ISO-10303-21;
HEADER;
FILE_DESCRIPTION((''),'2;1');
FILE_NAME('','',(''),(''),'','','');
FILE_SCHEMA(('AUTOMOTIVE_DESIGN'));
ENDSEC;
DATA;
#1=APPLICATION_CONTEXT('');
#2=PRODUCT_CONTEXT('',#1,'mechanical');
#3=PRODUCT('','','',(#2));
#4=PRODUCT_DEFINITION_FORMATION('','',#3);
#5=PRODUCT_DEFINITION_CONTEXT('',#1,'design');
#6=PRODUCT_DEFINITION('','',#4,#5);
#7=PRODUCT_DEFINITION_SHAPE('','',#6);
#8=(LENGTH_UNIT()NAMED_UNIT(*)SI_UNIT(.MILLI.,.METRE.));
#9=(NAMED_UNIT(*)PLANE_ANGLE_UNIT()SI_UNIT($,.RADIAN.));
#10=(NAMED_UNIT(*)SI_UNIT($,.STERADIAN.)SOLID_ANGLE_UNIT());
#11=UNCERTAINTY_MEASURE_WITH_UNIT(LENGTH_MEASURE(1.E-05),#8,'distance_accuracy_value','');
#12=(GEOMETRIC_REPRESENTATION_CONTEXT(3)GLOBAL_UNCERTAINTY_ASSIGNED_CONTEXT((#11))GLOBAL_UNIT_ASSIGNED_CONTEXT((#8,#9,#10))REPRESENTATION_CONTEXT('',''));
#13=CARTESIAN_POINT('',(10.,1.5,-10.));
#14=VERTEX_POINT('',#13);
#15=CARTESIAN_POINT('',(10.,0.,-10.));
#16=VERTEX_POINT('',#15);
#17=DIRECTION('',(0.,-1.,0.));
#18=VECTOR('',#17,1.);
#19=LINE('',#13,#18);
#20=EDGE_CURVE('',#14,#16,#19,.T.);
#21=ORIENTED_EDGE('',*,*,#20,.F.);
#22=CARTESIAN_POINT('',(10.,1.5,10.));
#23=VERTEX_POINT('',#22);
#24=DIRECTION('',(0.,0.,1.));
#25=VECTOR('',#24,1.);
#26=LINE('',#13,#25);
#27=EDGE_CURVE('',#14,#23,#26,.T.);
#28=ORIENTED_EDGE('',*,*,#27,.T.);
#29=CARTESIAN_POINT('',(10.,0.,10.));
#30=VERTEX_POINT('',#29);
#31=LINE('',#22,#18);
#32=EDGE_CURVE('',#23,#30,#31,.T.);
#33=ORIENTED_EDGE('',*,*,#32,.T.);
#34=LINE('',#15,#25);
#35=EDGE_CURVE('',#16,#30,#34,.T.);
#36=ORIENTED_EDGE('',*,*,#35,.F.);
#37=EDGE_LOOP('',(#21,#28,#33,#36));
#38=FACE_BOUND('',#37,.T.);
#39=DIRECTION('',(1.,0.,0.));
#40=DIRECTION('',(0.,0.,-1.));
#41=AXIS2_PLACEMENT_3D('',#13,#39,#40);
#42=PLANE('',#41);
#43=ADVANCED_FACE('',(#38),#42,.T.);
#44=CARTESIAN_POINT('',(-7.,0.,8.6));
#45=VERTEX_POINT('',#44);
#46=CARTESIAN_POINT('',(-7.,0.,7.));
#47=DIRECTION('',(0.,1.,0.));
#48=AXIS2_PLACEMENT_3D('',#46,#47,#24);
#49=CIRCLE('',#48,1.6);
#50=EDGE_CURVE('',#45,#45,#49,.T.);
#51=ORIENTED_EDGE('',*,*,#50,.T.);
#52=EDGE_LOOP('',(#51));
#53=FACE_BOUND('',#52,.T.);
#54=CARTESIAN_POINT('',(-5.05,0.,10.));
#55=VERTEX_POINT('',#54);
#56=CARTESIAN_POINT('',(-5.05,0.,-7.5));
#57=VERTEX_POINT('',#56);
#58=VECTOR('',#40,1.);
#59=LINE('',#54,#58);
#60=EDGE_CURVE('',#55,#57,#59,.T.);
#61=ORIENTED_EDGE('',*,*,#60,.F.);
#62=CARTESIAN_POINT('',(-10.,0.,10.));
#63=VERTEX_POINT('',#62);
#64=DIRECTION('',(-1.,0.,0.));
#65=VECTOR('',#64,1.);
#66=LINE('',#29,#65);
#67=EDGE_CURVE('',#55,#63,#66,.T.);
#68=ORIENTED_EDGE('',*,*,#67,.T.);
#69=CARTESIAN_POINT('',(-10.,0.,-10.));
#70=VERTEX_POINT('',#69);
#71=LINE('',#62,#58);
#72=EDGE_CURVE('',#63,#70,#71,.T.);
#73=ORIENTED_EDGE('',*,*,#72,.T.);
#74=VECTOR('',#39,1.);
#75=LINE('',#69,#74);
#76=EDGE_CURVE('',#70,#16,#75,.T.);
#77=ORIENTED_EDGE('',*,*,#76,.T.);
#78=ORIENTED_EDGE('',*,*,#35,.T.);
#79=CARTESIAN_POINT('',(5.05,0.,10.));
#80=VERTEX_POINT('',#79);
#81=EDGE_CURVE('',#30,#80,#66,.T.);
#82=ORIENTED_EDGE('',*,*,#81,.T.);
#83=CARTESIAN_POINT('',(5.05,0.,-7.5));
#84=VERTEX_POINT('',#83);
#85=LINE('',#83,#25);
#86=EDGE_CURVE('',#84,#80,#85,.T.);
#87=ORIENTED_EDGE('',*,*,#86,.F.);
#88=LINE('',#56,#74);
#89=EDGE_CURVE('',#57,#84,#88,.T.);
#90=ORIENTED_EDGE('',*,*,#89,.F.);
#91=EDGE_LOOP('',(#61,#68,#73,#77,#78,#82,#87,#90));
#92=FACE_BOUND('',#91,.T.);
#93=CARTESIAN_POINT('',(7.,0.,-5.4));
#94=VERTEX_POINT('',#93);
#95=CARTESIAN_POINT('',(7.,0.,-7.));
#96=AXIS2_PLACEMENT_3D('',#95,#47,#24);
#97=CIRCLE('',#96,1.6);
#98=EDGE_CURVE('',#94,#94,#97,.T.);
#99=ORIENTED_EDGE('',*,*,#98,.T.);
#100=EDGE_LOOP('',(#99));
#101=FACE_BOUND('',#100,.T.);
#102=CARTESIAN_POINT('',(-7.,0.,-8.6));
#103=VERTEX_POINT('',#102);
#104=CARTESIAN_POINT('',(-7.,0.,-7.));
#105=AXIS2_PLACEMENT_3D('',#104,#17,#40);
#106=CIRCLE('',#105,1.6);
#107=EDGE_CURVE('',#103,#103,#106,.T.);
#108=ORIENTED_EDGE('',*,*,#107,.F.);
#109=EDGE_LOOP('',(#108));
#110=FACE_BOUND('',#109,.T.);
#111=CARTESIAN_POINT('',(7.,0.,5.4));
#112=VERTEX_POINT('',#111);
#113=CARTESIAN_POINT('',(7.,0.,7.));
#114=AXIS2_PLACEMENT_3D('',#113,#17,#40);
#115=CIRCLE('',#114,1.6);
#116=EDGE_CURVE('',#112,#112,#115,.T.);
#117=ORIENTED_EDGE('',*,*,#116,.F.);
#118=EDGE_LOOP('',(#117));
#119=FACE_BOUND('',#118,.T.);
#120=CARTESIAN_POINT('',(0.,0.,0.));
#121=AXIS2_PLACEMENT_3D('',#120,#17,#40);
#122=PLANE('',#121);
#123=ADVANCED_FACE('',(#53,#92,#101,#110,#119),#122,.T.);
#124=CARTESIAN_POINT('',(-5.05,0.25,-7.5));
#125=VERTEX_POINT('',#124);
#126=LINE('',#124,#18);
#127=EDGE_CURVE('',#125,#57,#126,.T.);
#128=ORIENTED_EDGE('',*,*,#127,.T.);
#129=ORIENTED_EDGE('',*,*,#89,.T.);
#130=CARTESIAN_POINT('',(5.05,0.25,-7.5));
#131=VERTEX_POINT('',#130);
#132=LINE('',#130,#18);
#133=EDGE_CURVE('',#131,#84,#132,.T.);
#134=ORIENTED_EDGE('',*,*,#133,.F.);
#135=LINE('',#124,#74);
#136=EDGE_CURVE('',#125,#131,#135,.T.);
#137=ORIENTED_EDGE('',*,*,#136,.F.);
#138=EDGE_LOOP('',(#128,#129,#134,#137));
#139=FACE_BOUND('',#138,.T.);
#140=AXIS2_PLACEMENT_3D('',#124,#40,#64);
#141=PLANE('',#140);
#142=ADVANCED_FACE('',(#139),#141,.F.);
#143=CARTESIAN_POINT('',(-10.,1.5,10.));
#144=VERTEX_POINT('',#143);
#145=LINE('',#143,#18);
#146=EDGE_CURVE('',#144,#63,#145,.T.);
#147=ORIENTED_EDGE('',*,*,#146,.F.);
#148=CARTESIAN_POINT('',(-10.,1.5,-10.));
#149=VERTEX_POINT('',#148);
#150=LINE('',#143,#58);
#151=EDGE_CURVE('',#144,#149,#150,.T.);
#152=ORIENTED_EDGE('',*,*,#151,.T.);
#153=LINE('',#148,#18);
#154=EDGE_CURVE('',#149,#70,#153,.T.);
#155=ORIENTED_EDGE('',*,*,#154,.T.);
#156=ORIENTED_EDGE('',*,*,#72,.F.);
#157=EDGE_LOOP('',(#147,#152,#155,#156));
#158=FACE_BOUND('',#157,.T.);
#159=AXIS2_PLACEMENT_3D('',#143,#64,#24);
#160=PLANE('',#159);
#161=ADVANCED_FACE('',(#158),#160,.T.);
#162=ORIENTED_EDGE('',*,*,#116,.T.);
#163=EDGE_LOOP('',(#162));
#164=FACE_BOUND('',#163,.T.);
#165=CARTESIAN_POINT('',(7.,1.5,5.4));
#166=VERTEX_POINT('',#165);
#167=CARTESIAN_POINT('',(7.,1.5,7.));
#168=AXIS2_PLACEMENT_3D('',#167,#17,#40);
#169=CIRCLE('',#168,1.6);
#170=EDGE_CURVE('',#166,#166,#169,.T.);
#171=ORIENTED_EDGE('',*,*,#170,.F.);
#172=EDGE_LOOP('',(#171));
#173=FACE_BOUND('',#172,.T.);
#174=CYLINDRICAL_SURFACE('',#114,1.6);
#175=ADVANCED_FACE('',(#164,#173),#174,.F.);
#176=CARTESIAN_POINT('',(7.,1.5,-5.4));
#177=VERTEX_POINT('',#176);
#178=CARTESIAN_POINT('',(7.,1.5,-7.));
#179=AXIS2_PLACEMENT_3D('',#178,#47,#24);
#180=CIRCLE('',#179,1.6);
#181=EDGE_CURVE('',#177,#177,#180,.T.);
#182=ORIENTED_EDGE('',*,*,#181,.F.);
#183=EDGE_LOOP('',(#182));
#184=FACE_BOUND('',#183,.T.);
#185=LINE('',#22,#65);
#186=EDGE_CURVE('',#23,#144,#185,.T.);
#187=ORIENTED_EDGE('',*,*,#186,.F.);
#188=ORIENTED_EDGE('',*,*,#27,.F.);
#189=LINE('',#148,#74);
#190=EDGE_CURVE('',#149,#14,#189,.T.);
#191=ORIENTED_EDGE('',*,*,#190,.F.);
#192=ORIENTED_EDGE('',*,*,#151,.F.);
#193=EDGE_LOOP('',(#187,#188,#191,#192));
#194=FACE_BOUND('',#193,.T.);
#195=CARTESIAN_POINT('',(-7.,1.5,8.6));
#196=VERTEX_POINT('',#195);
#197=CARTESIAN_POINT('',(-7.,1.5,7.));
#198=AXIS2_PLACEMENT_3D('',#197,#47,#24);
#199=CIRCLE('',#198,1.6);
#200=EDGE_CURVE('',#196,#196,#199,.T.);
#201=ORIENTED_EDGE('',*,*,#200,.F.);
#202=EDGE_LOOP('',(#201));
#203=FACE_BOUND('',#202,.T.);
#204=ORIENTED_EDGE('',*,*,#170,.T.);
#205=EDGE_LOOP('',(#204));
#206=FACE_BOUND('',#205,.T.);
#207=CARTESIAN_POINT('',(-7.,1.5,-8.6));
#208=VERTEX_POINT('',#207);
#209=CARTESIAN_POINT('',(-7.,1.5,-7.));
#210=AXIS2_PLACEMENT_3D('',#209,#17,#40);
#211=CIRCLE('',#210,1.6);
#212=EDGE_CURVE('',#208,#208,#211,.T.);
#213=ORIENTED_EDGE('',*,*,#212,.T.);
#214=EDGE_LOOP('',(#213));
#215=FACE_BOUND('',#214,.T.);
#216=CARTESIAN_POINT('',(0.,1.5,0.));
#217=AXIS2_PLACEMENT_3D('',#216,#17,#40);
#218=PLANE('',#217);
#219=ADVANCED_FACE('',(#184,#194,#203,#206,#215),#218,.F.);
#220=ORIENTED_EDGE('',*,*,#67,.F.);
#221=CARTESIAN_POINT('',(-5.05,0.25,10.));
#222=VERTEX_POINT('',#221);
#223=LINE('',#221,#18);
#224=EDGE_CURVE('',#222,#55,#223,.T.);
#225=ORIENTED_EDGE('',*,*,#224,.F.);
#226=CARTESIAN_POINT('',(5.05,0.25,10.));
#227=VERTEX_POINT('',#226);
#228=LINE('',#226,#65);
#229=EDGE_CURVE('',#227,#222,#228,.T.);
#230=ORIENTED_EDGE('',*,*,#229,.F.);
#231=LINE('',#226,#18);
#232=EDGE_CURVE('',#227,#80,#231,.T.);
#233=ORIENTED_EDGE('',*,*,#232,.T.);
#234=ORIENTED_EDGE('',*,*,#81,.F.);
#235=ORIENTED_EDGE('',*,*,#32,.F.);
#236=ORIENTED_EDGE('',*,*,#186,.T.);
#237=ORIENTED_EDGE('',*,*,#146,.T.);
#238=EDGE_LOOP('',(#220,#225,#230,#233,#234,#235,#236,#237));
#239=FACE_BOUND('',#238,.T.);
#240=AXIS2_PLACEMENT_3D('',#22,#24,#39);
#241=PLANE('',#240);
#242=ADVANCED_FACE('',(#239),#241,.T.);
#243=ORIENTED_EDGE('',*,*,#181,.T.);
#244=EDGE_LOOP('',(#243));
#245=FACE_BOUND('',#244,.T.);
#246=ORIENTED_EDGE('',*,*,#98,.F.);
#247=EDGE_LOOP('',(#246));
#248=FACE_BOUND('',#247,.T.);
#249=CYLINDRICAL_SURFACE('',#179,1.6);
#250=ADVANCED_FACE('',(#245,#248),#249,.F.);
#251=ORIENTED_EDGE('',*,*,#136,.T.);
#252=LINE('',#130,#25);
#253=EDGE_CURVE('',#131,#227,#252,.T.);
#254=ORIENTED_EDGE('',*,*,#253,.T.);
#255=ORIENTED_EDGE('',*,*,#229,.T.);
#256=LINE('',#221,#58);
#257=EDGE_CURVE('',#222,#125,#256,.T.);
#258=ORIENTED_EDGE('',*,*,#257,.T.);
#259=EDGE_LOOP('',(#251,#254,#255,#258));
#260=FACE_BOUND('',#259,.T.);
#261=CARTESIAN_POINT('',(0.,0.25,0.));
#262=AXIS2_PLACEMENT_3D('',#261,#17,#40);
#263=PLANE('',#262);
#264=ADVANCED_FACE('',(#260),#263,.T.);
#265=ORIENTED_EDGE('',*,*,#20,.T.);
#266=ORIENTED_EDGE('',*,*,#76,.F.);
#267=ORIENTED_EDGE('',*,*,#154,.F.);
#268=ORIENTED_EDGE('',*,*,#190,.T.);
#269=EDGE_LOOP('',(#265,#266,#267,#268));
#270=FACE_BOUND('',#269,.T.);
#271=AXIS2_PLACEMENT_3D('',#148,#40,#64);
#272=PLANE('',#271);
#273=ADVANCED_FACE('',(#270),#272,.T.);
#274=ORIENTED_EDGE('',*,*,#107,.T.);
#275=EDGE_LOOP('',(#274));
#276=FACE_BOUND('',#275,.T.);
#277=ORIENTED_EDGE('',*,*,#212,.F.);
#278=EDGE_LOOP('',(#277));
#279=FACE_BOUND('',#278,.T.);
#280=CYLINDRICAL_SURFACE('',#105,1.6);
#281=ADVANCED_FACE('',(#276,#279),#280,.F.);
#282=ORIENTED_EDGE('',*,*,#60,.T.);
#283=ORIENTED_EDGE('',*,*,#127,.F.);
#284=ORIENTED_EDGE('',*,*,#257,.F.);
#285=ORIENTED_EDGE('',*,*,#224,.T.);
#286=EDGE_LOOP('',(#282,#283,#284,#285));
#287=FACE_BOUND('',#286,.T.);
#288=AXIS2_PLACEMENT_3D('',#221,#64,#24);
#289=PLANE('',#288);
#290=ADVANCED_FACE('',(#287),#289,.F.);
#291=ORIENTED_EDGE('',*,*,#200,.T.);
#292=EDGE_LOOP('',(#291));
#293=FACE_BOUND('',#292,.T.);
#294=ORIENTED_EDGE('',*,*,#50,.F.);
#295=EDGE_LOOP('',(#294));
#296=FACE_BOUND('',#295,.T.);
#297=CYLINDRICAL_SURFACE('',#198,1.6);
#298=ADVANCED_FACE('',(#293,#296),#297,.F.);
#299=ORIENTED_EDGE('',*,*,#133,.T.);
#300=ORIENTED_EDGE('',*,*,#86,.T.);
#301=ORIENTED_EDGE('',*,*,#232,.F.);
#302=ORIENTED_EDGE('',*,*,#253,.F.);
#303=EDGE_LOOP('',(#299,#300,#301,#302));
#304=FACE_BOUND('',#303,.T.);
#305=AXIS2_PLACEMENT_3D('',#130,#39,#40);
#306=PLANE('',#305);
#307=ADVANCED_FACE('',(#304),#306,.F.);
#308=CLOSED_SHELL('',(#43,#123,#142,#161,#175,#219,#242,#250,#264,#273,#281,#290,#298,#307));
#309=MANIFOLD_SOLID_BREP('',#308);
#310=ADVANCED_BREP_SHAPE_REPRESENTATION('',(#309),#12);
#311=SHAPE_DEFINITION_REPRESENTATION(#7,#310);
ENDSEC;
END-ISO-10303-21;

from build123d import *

# Parameters (mm, degrees)
SKETCH_1_W              = 20
SKETCH_1_H              = 20
EXTRUDE_1_DEPTH         = 1.5
SKETCH_2_W              = 10.1
SKETCH_2_H              = 17.5
CUT_EXTRUDE_1_DEPTH     = 0.25
HOLE_WIZARD_3_2_3_2_1_D = 3.2
HOLE_WIZARD_3_2_3_2_2_D = 3.2


with BuildPart() as part:
    # 草图1 → 凸台-拉伸1 (new body)
    with BuildSketch(Plane.XZ):
        Rectangle(SKETCH_1_W, SKETCH_1_H)
    extrude(amount=-EXTRUDE_1_DEPTH)

    # 草图2 → 切除-拉伸1 (cut)
    with BuildSketch(Plane.XZ):
        with Locations((0, 1.25)):
            Rectangle(SKETCH_2_W, SKETCH_2_H)
    extrude(amount=-CUT_EXTRUDE_1_DEPTH, mode=Mode.SUBTRACT)

    # Ø3.2 (3.2) 直径孔1 (through all)
    with Locations(Plane(origin=(0, 1.5, 0), x_dir=(1, 0, 0), z_dir=(0, 1, 0))):
        with Locations((-7, -7), (7, 7)):
            Hole(HOLE_WIZARD_3_2_3_2_1_D / 2)

    # Ø3.2 (3.2) 直径孔2 (through all)
    with Locations(Plane(origin=(0, 0, 0), x_dir=(-1, 0, 0), z_dir=(0, -1, 0))):
        with Locations((-7, -7), (7, 7)):
            Hole(HOLE_WIZARD_3_2_3_2_2_D / 2)


solid = part.part
